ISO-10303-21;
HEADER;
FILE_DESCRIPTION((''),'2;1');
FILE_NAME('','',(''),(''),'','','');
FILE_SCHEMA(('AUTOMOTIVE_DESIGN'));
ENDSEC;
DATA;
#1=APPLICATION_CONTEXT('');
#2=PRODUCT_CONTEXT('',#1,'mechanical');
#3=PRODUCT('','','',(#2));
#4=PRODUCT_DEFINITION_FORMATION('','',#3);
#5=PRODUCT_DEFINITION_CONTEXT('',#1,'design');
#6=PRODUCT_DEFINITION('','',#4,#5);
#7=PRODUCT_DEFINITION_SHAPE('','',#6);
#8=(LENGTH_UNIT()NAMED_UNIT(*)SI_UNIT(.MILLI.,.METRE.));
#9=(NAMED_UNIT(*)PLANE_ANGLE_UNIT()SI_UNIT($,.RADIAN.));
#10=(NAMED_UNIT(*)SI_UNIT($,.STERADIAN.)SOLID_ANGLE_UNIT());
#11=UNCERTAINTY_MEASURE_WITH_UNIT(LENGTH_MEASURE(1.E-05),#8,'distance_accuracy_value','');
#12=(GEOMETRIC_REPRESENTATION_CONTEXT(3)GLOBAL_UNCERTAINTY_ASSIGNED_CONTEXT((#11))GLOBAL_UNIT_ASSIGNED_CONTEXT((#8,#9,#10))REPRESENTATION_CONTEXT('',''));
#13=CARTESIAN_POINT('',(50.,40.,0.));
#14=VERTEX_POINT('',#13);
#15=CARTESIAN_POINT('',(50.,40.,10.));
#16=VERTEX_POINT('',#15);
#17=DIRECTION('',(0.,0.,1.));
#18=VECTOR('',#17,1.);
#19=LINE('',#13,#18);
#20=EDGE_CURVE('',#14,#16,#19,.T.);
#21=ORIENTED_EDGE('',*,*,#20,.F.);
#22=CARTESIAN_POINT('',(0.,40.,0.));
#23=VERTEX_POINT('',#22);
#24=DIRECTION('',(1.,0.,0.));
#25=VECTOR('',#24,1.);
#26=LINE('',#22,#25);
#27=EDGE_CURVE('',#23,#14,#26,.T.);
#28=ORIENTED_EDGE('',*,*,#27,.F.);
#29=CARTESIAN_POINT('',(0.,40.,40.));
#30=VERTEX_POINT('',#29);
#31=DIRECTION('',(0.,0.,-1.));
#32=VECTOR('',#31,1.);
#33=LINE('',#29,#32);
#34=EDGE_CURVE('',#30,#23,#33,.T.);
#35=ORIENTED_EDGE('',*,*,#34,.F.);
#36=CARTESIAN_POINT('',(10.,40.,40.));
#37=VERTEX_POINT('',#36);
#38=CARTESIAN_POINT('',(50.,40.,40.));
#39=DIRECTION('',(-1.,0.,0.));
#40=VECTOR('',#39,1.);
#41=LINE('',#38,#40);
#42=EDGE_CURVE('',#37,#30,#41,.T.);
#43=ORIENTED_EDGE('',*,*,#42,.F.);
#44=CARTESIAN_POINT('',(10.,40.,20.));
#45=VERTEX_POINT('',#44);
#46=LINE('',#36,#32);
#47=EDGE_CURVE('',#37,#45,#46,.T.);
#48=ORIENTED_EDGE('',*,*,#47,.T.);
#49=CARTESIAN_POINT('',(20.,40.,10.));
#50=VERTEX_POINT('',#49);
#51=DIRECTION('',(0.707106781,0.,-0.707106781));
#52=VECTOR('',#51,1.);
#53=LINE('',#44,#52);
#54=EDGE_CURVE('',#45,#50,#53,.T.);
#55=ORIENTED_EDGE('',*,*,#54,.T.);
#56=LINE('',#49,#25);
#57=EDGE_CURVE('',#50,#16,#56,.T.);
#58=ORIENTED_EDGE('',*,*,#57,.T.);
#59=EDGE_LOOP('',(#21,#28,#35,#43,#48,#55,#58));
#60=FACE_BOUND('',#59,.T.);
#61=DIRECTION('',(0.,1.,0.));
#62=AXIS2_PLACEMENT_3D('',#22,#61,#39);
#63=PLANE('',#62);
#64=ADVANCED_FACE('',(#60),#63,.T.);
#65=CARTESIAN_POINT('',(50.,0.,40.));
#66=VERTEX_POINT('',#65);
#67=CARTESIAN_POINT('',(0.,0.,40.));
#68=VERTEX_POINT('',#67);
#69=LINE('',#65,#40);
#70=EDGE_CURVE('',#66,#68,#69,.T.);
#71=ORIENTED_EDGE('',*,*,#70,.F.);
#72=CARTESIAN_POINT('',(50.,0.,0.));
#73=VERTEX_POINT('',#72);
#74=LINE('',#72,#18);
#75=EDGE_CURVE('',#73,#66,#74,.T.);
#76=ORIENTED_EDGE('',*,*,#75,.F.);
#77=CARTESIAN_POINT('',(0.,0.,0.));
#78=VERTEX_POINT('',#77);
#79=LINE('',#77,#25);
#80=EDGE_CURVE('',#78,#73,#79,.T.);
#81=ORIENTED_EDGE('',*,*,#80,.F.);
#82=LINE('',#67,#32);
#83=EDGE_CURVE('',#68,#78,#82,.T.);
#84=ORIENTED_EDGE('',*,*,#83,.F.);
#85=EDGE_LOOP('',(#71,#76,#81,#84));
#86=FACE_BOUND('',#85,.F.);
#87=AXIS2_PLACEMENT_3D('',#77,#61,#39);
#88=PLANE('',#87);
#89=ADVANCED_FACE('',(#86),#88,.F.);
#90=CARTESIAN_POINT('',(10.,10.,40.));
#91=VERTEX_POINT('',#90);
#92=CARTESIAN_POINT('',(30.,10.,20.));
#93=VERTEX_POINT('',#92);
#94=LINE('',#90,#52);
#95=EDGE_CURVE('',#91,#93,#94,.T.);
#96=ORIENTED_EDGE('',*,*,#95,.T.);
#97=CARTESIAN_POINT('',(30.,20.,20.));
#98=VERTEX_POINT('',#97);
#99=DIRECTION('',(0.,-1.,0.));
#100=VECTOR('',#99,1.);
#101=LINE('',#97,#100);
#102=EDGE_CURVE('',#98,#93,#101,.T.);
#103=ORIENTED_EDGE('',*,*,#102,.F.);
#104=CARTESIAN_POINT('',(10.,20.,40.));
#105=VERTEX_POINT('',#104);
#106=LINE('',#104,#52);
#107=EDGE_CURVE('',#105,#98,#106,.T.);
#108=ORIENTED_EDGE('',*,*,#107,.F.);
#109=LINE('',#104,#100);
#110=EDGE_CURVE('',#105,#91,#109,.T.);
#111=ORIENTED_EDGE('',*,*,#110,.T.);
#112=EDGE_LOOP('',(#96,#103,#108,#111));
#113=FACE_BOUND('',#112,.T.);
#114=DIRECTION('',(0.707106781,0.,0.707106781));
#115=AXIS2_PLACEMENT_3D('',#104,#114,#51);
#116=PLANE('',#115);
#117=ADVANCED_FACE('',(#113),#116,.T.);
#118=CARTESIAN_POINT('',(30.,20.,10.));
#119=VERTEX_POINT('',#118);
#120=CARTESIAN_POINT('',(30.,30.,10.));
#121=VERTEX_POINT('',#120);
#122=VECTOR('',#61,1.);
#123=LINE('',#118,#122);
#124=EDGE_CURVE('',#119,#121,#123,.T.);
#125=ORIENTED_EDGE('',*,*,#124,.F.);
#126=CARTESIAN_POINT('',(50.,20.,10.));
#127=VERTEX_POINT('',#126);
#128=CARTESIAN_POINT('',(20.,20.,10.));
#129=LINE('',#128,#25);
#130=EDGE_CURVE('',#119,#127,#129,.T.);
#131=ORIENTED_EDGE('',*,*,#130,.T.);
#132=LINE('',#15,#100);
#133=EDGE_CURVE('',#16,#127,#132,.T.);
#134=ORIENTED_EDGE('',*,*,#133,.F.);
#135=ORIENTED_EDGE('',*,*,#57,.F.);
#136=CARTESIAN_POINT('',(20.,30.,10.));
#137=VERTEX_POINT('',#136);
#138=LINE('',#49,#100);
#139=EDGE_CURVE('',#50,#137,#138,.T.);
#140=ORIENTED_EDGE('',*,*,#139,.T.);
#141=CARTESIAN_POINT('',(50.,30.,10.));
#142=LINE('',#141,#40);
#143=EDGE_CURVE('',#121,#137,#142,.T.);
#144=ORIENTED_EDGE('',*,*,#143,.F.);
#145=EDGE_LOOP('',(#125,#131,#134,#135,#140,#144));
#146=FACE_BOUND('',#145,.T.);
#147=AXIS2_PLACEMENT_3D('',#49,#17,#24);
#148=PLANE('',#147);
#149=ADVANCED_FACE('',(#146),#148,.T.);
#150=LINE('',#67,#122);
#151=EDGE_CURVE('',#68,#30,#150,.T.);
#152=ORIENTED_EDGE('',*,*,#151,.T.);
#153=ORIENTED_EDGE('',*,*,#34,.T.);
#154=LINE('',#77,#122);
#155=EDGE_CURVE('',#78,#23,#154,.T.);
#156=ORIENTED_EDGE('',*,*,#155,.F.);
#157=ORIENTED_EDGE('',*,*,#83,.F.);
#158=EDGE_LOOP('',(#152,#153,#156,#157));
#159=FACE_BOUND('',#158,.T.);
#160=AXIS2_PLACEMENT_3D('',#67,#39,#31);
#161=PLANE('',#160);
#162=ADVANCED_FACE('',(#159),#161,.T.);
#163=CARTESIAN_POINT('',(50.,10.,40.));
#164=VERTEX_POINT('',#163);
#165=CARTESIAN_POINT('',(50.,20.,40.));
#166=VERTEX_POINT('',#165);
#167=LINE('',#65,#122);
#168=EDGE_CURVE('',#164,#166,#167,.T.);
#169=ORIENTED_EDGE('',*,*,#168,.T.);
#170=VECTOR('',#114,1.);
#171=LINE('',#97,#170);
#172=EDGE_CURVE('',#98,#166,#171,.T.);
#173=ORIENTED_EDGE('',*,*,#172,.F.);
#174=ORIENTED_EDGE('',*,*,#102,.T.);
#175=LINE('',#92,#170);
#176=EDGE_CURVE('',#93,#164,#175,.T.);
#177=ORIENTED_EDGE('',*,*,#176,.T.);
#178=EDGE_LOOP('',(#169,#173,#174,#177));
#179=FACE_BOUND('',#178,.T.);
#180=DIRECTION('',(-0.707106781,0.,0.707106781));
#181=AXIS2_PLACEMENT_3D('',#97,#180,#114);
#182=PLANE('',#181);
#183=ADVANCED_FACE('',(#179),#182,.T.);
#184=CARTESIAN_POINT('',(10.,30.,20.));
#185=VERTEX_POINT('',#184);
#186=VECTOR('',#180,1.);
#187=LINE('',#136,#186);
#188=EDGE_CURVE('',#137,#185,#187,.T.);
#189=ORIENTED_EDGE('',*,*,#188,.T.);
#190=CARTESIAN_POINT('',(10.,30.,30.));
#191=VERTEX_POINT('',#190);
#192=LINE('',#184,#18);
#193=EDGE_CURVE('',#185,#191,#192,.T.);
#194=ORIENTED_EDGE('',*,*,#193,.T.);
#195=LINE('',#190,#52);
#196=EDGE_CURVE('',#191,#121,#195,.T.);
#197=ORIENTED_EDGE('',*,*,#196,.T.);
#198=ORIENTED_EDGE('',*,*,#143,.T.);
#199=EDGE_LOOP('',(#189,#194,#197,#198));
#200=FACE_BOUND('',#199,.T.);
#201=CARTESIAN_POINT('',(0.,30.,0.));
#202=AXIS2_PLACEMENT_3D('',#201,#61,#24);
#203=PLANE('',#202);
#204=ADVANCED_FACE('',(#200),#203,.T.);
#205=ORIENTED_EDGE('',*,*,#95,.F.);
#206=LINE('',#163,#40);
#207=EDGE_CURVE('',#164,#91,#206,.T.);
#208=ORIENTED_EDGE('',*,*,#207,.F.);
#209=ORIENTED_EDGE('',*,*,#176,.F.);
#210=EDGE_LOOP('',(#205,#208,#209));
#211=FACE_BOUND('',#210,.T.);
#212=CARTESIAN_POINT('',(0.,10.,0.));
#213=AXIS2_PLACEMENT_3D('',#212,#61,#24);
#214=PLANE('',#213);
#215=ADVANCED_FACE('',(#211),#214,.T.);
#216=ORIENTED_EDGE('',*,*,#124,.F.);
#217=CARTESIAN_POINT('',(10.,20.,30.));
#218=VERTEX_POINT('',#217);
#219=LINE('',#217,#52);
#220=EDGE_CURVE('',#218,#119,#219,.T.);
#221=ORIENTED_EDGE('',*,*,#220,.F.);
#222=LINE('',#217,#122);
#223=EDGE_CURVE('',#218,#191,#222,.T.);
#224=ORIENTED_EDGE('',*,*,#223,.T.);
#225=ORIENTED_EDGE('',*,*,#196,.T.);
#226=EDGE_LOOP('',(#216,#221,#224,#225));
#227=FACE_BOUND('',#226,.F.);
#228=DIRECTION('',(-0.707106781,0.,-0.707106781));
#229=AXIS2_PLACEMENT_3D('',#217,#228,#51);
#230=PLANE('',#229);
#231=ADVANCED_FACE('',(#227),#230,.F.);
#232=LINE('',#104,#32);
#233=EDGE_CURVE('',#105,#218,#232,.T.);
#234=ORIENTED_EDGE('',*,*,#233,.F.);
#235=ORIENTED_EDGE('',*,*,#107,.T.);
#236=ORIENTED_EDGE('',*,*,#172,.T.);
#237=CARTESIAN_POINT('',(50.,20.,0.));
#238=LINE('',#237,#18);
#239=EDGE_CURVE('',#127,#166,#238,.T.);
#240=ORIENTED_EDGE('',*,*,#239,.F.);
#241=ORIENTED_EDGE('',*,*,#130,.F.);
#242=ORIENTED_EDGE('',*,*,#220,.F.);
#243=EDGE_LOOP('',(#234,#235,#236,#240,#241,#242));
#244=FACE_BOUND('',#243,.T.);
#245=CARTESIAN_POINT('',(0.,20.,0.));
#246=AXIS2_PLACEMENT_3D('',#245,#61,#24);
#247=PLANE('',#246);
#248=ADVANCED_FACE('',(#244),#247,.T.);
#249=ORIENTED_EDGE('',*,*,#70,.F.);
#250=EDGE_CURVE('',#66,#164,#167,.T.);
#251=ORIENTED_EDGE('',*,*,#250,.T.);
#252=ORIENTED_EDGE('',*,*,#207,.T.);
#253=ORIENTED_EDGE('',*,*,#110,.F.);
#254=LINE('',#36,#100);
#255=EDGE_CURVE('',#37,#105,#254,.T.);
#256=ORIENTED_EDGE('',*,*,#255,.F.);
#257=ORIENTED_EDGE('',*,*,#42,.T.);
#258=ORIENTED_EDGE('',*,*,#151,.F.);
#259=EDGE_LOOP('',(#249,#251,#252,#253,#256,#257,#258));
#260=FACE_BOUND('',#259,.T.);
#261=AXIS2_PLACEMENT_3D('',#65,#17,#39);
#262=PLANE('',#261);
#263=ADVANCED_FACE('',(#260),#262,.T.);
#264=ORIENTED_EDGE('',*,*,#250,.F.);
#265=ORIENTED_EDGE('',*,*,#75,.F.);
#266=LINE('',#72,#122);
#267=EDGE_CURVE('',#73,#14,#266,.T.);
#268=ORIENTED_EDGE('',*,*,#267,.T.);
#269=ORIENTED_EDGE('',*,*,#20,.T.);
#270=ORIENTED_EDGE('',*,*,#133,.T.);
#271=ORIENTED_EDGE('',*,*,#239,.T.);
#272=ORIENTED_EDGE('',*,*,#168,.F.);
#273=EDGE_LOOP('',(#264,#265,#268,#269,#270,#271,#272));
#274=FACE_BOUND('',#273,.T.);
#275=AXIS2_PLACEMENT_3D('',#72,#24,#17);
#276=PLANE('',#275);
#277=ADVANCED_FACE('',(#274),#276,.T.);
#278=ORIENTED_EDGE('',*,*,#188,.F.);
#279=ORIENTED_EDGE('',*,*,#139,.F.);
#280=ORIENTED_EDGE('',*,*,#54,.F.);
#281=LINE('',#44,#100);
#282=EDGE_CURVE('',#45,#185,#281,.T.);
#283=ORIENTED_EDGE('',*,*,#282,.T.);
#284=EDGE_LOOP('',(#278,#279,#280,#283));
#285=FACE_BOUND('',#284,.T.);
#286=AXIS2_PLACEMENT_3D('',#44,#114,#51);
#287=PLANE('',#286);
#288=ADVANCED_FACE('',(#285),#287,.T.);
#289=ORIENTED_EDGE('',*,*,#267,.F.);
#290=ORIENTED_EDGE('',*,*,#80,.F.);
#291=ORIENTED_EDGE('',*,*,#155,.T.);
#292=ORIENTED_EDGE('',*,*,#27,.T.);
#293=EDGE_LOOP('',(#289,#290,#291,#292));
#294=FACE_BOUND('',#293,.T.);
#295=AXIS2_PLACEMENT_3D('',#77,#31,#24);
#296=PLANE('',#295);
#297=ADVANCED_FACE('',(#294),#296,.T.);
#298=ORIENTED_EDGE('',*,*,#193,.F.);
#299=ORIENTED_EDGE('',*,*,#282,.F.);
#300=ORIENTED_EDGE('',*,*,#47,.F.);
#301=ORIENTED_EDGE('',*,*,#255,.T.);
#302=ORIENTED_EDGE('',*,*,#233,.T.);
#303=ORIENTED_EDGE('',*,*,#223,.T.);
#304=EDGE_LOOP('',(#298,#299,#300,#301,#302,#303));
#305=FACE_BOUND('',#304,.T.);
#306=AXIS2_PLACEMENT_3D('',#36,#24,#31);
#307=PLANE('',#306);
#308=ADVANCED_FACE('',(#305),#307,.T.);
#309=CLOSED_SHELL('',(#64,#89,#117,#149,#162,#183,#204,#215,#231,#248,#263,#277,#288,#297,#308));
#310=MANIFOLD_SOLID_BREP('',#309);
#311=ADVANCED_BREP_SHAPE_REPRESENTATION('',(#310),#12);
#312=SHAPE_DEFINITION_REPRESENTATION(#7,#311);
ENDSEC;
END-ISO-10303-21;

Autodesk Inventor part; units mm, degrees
ref_plane "YZ Plane" through (0, 0, 0) normal (1, 0, 0) x (0, 1, 0)
ref_plane "XZ Plane" through (0, 0, 0) normal (0, 1, 0) x (-1, 0, 0)
ref_plane "XY Plane" through (0, 0, 0) normal (0, 0, 1) x (1, 0, 0)
sketch "草圖1" plane through (0, 0, 0) normal (0, 1, 0) x (-1, 0, 0)
  line L0 (0, 0) -> (-50, 0)
  line L1 (-50, 0) -> (-50, 40)
  line L2 (-50, 40) -> (0, 40)
  line L3 (0, 40) -> (0, 0)
  dimension "d0" = 50
  dimension "d1" = 40
extrude "擠出1" add sketch "草圖1" along normal blind 40
sketch "草圖3" plane through (0, 40, 0) normal (0, 1, 0) x (1, 0, 0)
  line L0 (50, 0) -> (50, -40) projected
  line L1 (50, -40) -> (0, -40) projected
  line L2 (0, -40) -> (0, 0) projected
  line L3 (0, 0) -> (50, 0) projected
  line L4 (10, -40) -> (10, -20)
  line L5 (10, -20) -> (20, -10)
  line L6 (20, -10) -> (50, -10)
  line L7 (50, -40) -> (50, 0) projected
  dimension "d10" = 10
  dimension "d11" = 10
  dimension "d12" = 30
  dimension "d13" = 20
extrude "擠出3" cut sketch "草圖3" against normal blind 20 contours L0 L1 L4 L5 L6
sketch "草圖4" plane through (0, 20, 0) normal (0, 1, 0) x (1, 0, 0)
  line L0 (50, -10) -> (20, -10) projected
  line L1 (20, -10) -> (10, -20) projected
  line L2 (10, -20) -> (10, -40) projected
  line L3 (50, -40) -> (10, -40) projected
  line L4 (50, -10) -> (50, -40) projected
  line L5 (50, 0) -> (50, -10) projected
  line L6 (0, 0) -> (50, 0) projected
  line L7 (0, -40) -> (0, 0) projected
  line L8 (10, -40) -> (0, -40) projected
  line L9 (50, -40) -> (10, -40) projected
  line L10 (10, -40) -> (30, -20)
  line L11 (30, -20) -> (50, -40)
  dimension "d16" = 20
  dimension "d17" = 20
extrude "擠出4" cut sketch "草圖4" against normal blind 10 contours L3 L10 L11
sketch "草圖5" plane through (0, 20, 0) normal (0, 1, 0) x (1, 0, 0)
  line L0 (50, -10) -> (20, -10) projected
  line L1 (20, -10) -> (10, -20) projected
  line L2 (10, -20) -> (10, -40) projected
  line L3 (10, -40) -> (0, -40) projected
  line L4 (0, -40) -> (0, 0) projected
  line L5 (0, 0) -> (50, 0) projected
  line L6 (50, 0) -> (50, -10) projected
  line L7 (50, -10) -> (50, -40) projected
  line L8 (50, -40) -> (30, -20) projected
  line L9 (30, -20) -> (10, -40) projected
  line L10 (10, -40) -> (10, -20) projected
  line L11 (10, -30) -> (30, -10)
  line L12 (20, -10) -> (50, -10) projected
  point P0 (30, -10)
  dimension "d20" = 10
  dimension "d21" = 20
extrude "擠出5" add sketch "草圖5" along normal blind 10 contours L11 L2 L1 L0
properties part number "19" material "鋼、碳鋼"
